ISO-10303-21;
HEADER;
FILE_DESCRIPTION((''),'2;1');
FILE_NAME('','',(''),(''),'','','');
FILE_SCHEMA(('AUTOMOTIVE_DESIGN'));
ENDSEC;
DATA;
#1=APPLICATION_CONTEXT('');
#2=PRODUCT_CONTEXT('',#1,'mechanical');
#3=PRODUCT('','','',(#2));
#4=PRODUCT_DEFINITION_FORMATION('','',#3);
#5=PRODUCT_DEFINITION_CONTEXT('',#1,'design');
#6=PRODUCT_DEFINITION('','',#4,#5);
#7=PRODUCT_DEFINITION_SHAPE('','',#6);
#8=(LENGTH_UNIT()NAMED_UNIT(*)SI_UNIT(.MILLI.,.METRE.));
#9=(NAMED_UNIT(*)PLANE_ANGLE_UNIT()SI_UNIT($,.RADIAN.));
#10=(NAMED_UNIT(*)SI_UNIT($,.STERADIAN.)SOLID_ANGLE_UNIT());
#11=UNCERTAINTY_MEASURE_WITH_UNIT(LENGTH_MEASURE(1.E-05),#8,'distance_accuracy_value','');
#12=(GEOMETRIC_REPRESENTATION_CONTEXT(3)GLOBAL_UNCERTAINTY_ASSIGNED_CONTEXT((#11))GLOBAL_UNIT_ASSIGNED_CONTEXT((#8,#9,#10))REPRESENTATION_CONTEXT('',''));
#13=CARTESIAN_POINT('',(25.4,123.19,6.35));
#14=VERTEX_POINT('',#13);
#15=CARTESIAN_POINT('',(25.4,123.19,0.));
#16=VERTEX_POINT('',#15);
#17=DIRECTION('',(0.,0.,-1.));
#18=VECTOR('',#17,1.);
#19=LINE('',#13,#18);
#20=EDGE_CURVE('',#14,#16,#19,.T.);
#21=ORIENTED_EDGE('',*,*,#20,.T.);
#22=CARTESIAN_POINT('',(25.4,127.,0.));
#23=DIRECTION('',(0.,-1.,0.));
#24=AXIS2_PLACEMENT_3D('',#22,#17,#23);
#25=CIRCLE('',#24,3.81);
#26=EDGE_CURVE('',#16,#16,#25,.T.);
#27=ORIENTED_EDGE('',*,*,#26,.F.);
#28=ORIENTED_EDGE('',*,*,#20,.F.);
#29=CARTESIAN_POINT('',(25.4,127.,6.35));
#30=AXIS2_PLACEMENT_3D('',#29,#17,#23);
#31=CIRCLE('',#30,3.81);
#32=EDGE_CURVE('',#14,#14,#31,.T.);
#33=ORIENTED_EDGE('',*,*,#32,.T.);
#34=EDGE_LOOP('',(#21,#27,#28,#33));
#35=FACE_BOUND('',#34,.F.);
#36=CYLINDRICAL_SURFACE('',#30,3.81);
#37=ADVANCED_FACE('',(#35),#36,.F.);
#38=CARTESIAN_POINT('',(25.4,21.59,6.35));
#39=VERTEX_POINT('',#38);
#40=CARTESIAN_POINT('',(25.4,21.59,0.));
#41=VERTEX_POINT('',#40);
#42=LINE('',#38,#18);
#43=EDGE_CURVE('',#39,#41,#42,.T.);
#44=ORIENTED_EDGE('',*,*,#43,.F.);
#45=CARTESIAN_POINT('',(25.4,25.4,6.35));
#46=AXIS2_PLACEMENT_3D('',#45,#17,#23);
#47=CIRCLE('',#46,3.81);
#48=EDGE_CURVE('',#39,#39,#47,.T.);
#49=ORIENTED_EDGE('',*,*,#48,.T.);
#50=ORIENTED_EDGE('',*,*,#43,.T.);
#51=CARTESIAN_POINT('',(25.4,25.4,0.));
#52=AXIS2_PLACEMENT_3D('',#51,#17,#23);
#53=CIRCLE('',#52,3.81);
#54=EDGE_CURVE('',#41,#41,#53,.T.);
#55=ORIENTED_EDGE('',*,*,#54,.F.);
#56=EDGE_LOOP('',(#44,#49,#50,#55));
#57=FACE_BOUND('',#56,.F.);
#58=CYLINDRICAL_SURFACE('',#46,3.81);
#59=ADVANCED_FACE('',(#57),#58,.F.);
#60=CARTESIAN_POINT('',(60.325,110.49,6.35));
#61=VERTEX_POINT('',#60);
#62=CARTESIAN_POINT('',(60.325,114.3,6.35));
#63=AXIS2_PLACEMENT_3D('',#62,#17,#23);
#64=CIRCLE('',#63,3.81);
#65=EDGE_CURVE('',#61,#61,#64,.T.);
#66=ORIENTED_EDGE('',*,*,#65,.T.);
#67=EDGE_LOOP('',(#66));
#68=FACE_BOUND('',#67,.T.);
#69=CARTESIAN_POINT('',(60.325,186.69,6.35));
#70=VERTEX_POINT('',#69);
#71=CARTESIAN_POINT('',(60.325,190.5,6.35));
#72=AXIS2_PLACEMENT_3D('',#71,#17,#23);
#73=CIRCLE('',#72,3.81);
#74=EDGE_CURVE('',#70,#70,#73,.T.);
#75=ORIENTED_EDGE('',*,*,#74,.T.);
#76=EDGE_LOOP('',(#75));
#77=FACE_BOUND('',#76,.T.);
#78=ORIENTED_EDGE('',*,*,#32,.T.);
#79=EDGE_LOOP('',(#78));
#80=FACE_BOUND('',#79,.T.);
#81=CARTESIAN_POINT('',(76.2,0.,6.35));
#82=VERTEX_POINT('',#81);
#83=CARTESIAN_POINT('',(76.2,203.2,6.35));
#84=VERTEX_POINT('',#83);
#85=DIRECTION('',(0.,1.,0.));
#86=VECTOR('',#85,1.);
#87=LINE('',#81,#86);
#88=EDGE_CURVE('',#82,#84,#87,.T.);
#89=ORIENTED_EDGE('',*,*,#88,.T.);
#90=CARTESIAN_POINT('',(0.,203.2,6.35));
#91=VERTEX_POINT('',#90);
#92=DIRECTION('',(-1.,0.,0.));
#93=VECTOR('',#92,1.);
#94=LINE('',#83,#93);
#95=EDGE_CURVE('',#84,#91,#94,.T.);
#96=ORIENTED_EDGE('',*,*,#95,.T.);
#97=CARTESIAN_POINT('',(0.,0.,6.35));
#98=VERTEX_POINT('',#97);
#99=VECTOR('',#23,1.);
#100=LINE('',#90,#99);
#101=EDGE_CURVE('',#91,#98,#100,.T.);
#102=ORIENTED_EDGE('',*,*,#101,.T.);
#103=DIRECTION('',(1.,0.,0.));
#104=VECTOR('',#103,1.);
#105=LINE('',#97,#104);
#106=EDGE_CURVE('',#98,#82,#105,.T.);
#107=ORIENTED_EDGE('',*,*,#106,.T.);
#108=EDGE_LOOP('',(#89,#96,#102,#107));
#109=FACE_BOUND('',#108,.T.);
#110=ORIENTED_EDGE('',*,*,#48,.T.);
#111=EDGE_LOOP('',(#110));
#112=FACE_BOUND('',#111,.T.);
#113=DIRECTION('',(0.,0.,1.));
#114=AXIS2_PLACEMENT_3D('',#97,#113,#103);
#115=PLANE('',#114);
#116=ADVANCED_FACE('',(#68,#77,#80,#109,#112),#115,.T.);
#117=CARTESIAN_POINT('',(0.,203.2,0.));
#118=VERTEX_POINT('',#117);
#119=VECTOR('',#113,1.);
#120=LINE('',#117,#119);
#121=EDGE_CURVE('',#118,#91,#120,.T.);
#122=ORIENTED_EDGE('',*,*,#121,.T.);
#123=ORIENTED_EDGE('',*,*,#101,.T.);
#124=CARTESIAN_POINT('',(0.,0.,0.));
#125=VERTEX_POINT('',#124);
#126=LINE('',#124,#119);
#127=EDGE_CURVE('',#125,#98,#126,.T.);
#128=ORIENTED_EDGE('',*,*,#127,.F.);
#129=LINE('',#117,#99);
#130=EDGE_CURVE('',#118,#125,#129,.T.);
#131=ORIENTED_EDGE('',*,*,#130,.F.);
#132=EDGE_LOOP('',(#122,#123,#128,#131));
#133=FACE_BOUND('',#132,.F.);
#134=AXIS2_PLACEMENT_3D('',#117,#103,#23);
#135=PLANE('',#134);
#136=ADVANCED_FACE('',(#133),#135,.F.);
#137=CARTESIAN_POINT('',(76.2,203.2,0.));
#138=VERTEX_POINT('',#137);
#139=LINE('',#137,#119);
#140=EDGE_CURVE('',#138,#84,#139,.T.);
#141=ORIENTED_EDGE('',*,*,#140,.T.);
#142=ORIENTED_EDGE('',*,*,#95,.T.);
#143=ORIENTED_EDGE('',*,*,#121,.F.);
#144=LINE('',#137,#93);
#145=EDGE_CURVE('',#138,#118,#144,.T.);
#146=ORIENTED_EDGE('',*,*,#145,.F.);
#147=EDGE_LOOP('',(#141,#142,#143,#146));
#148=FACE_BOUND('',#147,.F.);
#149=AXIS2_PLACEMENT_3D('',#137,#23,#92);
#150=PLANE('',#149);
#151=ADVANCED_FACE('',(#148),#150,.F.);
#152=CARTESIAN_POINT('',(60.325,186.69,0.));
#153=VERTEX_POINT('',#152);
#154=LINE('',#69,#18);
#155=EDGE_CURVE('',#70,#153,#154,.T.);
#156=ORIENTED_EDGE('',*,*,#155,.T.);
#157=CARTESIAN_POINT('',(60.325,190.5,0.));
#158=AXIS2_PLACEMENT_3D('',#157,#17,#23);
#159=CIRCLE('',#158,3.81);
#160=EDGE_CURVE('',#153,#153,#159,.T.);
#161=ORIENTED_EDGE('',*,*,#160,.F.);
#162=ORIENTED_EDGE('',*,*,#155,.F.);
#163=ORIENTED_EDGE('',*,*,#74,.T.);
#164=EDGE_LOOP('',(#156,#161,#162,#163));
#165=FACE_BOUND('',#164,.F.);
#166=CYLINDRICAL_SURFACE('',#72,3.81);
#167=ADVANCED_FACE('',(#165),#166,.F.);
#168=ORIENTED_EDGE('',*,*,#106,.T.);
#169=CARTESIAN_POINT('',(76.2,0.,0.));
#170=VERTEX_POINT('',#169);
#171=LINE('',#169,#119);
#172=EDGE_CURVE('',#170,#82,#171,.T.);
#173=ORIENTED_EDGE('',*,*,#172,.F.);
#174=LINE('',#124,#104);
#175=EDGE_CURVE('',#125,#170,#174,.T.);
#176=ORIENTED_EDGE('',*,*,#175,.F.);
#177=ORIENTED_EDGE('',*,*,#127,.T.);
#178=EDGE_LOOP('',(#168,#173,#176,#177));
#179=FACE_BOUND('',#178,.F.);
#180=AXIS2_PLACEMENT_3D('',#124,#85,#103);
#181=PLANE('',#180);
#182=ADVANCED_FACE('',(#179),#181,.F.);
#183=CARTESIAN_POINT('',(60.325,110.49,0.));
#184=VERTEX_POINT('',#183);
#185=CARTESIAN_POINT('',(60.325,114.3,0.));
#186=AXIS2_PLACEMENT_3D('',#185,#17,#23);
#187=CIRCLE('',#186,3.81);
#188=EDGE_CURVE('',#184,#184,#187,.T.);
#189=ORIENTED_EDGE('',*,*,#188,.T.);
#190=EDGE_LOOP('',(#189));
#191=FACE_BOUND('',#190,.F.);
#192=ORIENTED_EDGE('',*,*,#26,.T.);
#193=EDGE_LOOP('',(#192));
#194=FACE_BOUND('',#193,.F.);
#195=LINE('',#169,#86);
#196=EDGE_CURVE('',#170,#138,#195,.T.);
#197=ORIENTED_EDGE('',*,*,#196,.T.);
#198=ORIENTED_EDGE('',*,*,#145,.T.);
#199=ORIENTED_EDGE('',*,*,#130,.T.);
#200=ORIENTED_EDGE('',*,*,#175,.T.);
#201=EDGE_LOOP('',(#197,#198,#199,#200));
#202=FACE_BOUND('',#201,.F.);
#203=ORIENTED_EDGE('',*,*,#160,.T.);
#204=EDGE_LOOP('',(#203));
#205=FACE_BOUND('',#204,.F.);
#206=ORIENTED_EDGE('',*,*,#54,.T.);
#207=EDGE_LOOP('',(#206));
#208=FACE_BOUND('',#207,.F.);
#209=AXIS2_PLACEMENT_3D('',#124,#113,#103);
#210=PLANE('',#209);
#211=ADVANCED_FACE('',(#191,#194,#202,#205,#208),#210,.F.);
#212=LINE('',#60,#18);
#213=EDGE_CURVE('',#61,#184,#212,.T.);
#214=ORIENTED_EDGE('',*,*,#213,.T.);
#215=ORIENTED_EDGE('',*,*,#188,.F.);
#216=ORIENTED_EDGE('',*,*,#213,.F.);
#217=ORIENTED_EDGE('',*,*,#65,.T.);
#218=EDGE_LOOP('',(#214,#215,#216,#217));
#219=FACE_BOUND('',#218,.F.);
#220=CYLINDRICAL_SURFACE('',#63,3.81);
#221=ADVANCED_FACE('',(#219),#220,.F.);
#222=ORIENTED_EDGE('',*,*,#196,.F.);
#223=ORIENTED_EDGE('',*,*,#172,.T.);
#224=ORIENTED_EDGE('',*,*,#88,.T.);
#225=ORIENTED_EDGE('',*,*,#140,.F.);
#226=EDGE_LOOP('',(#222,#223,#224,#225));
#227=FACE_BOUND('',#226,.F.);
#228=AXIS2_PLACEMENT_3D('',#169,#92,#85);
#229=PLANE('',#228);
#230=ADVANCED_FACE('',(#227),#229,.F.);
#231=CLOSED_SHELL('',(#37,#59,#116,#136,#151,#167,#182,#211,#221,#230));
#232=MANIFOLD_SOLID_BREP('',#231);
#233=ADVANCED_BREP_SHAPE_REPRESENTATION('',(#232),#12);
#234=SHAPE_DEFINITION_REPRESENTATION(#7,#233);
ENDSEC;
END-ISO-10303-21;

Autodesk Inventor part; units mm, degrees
ref_plane "YZ Plane" through (0, 0, 0) normal (1, 0, 0) x (0, 1, 0)
ref_plane "XZ Plane" through (0, 0, 0) normal (0, 1, 0) x (-1, 0, 0)
ref_plane "XY Plane" through (0, 0, 0) normal (0, 0, 1) x (1, 0, 0)
sketch "Sketch1" plane through (0, 0, 0) normal (0, 0, 1) x (1, 0, 0)
  line L0 (0, 0) -> (76.2, 0)
  line L1 (76.2, 0) -> (76.2, 203.2)
  line L2 (76.2, 203.2) -> (0, 203.2)
  line L3 (0, 203.2) -> (0, 0)
  dimension "d0" = 76.2
  dimension "d1" = 203.2
extrude "Extrusion1" add sketch "Sketch1" along normal blind 6.35
sketch "Sketch2" plane through (0, 0, 6.35) normal (0, 0, 1) x (1, 0, 0)
  line L0 (0, 0) -> (0, 203.2)
  line L1 (76.2, 0) -> (0, 0)
  line L2 (0, 203.2) -> (76.2, 203.2)
  line L3 (0, 203.2) -> (76.2, 203.2) projected
  line L4 (60.325, 114.3) -> (60.325, 190.5)
  point P0 (25.4, 25.4)
  point P1 (25.4, 127)
  dimension "d4" = 101.6
  dimension "d5" = 25.4
  dimension "d6" = 25.4
  dimension "d7" = 76.2
  dimension "d17" = 34.925
  dimension "d18" = 190.5
hole "Hole1" at (25.4, 25.4, 6.35) at (25.4, 127, 6.35) at (60.325, 190.5, 6.35) at (60.325, 114.3, 6.35) direction (0, 0, -1) diameter 7.62 end through all
properties part number "back frame plate"
